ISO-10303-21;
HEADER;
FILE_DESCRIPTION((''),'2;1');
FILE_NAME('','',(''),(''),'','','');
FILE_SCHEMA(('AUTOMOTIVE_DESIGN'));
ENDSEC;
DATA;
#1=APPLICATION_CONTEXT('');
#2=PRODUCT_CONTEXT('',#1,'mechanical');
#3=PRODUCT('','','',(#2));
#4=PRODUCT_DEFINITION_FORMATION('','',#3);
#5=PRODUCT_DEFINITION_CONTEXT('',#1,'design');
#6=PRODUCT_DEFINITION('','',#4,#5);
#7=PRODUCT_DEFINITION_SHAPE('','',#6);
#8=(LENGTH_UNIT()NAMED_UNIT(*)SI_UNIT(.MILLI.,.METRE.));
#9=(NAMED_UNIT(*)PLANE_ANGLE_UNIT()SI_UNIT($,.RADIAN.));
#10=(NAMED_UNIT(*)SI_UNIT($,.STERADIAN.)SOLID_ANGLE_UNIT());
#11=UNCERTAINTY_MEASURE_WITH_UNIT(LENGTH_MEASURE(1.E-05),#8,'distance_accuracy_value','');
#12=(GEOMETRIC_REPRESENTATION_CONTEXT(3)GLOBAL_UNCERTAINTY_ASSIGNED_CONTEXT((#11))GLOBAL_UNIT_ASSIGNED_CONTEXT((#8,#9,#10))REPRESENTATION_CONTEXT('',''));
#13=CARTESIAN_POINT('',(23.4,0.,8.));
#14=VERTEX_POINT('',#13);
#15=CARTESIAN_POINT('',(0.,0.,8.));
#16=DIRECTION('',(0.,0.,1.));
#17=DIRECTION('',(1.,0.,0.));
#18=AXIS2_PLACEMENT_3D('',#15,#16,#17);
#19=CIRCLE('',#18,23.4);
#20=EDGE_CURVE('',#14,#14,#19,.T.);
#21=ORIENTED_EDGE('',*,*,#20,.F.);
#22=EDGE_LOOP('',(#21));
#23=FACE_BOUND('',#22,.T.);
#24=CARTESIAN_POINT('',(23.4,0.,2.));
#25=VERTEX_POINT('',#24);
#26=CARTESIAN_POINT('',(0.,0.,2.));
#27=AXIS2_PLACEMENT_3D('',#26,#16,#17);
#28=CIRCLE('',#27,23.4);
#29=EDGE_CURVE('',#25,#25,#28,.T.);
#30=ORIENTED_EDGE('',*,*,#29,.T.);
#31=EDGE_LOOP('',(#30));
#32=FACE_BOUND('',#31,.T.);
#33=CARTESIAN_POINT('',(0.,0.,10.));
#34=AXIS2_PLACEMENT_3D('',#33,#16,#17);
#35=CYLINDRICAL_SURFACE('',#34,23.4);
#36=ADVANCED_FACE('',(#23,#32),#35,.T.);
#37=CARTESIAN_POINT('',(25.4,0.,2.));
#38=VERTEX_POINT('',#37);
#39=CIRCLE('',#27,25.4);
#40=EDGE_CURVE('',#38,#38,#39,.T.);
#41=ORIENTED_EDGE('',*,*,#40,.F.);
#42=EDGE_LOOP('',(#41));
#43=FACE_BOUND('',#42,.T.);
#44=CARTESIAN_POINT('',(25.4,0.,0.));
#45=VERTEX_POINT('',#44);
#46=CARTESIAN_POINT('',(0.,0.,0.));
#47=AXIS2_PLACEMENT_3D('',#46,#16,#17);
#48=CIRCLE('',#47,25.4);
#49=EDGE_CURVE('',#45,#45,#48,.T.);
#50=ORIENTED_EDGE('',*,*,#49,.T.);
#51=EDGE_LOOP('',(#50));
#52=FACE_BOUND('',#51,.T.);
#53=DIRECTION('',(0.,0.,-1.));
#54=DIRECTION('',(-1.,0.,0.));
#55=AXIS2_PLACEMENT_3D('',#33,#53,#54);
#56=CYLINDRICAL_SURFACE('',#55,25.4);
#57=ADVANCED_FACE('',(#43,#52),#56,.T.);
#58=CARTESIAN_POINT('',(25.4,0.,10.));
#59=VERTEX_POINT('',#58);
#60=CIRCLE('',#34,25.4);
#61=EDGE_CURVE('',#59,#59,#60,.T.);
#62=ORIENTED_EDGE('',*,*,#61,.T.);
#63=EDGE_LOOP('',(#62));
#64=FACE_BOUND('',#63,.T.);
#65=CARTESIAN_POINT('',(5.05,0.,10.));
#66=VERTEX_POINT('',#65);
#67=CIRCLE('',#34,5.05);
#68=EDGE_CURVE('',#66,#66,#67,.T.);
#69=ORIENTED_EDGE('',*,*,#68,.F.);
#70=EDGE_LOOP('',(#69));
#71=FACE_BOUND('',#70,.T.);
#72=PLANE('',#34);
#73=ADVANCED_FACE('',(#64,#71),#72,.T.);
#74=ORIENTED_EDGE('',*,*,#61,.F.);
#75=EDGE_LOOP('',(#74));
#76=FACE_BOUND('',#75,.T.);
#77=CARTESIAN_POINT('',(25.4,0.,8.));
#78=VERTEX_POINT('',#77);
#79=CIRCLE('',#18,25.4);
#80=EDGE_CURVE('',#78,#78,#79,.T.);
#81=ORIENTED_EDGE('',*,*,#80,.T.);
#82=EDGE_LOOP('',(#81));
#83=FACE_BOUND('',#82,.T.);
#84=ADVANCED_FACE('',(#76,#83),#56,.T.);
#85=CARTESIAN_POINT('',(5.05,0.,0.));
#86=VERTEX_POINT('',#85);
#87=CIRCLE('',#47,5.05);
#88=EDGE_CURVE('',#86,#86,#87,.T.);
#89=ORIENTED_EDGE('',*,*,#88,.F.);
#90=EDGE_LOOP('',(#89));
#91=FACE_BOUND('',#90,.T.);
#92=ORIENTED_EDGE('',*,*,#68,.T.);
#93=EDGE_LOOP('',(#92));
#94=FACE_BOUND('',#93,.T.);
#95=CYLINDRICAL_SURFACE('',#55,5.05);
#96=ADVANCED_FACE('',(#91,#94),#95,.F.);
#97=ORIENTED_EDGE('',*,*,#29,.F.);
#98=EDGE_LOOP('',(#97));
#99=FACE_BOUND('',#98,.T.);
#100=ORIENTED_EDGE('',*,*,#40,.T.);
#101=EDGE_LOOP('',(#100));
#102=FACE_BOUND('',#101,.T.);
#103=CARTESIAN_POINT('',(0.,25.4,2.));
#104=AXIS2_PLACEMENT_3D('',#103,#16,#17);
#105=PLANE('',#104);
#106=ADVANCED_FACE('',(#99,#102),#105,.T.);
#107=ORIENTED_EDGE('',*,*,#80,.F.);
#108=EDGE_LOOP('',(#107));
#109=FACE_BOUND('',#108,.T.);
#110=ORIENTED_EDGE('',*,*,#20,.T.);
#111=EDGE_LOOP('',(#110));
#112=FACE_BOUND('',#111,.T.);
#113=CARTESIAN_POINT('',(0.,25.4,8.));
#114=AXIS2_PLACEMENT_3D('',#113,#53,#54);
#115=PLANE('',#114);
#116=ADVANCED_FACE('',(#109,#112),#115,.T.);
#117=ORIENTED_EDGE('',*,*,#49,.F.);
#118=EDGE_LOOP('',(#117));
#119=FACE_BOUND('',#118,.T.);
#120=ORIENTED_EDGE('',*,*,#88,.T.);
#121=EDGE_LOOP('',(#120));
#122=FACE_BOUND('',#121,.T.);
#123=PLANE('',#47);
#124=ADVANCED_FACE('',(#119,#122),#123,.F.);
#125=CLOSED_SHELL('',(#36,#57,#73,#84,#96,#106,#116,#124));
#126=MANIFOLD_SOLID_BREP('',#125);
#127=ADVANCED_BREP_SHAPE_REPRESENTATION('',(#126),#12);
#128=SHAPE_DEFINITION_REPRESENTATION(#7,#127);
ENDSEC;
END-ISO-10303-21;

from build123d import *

# Parameters (mm, degrees)
CROQUIS1_R              = 25.4
CROQUIS1_R_2            = 5.05
SALIENTE_EXTRUIR1_DEPTH = 10
CROQUIS2_W              = 6
CROQUIS2_H              = 2


with BuildPart() as part:
    # Croquis1 → Saliente-Extruir1 (new body)
    with BuildSketch(Plane.XY):
        Circle(CROQUIS1_R)
        Circle(CROQUIS1_R_2, mode=Mode.SUBTRACT)
    extrude(amount=SALIENTE_EXTRUIR1_DEPTH)

    # Croquis2 → Cortar-Revolución1 (revolve, cut)
    with BuildSketch(Plane(origin=(0, 0, 0), x_dir=(0, 0, -1), z_dir=(1, 0, 0))):
        with Locations((-5, 24.4)):
            Rectangle(CROQUIS2_W, CROQUIS2_H)
    revolve(axis=Axis((0, 0, 10), (0, 0, -1)), mode=Mode.SUBTRACT)


solid = part.part
